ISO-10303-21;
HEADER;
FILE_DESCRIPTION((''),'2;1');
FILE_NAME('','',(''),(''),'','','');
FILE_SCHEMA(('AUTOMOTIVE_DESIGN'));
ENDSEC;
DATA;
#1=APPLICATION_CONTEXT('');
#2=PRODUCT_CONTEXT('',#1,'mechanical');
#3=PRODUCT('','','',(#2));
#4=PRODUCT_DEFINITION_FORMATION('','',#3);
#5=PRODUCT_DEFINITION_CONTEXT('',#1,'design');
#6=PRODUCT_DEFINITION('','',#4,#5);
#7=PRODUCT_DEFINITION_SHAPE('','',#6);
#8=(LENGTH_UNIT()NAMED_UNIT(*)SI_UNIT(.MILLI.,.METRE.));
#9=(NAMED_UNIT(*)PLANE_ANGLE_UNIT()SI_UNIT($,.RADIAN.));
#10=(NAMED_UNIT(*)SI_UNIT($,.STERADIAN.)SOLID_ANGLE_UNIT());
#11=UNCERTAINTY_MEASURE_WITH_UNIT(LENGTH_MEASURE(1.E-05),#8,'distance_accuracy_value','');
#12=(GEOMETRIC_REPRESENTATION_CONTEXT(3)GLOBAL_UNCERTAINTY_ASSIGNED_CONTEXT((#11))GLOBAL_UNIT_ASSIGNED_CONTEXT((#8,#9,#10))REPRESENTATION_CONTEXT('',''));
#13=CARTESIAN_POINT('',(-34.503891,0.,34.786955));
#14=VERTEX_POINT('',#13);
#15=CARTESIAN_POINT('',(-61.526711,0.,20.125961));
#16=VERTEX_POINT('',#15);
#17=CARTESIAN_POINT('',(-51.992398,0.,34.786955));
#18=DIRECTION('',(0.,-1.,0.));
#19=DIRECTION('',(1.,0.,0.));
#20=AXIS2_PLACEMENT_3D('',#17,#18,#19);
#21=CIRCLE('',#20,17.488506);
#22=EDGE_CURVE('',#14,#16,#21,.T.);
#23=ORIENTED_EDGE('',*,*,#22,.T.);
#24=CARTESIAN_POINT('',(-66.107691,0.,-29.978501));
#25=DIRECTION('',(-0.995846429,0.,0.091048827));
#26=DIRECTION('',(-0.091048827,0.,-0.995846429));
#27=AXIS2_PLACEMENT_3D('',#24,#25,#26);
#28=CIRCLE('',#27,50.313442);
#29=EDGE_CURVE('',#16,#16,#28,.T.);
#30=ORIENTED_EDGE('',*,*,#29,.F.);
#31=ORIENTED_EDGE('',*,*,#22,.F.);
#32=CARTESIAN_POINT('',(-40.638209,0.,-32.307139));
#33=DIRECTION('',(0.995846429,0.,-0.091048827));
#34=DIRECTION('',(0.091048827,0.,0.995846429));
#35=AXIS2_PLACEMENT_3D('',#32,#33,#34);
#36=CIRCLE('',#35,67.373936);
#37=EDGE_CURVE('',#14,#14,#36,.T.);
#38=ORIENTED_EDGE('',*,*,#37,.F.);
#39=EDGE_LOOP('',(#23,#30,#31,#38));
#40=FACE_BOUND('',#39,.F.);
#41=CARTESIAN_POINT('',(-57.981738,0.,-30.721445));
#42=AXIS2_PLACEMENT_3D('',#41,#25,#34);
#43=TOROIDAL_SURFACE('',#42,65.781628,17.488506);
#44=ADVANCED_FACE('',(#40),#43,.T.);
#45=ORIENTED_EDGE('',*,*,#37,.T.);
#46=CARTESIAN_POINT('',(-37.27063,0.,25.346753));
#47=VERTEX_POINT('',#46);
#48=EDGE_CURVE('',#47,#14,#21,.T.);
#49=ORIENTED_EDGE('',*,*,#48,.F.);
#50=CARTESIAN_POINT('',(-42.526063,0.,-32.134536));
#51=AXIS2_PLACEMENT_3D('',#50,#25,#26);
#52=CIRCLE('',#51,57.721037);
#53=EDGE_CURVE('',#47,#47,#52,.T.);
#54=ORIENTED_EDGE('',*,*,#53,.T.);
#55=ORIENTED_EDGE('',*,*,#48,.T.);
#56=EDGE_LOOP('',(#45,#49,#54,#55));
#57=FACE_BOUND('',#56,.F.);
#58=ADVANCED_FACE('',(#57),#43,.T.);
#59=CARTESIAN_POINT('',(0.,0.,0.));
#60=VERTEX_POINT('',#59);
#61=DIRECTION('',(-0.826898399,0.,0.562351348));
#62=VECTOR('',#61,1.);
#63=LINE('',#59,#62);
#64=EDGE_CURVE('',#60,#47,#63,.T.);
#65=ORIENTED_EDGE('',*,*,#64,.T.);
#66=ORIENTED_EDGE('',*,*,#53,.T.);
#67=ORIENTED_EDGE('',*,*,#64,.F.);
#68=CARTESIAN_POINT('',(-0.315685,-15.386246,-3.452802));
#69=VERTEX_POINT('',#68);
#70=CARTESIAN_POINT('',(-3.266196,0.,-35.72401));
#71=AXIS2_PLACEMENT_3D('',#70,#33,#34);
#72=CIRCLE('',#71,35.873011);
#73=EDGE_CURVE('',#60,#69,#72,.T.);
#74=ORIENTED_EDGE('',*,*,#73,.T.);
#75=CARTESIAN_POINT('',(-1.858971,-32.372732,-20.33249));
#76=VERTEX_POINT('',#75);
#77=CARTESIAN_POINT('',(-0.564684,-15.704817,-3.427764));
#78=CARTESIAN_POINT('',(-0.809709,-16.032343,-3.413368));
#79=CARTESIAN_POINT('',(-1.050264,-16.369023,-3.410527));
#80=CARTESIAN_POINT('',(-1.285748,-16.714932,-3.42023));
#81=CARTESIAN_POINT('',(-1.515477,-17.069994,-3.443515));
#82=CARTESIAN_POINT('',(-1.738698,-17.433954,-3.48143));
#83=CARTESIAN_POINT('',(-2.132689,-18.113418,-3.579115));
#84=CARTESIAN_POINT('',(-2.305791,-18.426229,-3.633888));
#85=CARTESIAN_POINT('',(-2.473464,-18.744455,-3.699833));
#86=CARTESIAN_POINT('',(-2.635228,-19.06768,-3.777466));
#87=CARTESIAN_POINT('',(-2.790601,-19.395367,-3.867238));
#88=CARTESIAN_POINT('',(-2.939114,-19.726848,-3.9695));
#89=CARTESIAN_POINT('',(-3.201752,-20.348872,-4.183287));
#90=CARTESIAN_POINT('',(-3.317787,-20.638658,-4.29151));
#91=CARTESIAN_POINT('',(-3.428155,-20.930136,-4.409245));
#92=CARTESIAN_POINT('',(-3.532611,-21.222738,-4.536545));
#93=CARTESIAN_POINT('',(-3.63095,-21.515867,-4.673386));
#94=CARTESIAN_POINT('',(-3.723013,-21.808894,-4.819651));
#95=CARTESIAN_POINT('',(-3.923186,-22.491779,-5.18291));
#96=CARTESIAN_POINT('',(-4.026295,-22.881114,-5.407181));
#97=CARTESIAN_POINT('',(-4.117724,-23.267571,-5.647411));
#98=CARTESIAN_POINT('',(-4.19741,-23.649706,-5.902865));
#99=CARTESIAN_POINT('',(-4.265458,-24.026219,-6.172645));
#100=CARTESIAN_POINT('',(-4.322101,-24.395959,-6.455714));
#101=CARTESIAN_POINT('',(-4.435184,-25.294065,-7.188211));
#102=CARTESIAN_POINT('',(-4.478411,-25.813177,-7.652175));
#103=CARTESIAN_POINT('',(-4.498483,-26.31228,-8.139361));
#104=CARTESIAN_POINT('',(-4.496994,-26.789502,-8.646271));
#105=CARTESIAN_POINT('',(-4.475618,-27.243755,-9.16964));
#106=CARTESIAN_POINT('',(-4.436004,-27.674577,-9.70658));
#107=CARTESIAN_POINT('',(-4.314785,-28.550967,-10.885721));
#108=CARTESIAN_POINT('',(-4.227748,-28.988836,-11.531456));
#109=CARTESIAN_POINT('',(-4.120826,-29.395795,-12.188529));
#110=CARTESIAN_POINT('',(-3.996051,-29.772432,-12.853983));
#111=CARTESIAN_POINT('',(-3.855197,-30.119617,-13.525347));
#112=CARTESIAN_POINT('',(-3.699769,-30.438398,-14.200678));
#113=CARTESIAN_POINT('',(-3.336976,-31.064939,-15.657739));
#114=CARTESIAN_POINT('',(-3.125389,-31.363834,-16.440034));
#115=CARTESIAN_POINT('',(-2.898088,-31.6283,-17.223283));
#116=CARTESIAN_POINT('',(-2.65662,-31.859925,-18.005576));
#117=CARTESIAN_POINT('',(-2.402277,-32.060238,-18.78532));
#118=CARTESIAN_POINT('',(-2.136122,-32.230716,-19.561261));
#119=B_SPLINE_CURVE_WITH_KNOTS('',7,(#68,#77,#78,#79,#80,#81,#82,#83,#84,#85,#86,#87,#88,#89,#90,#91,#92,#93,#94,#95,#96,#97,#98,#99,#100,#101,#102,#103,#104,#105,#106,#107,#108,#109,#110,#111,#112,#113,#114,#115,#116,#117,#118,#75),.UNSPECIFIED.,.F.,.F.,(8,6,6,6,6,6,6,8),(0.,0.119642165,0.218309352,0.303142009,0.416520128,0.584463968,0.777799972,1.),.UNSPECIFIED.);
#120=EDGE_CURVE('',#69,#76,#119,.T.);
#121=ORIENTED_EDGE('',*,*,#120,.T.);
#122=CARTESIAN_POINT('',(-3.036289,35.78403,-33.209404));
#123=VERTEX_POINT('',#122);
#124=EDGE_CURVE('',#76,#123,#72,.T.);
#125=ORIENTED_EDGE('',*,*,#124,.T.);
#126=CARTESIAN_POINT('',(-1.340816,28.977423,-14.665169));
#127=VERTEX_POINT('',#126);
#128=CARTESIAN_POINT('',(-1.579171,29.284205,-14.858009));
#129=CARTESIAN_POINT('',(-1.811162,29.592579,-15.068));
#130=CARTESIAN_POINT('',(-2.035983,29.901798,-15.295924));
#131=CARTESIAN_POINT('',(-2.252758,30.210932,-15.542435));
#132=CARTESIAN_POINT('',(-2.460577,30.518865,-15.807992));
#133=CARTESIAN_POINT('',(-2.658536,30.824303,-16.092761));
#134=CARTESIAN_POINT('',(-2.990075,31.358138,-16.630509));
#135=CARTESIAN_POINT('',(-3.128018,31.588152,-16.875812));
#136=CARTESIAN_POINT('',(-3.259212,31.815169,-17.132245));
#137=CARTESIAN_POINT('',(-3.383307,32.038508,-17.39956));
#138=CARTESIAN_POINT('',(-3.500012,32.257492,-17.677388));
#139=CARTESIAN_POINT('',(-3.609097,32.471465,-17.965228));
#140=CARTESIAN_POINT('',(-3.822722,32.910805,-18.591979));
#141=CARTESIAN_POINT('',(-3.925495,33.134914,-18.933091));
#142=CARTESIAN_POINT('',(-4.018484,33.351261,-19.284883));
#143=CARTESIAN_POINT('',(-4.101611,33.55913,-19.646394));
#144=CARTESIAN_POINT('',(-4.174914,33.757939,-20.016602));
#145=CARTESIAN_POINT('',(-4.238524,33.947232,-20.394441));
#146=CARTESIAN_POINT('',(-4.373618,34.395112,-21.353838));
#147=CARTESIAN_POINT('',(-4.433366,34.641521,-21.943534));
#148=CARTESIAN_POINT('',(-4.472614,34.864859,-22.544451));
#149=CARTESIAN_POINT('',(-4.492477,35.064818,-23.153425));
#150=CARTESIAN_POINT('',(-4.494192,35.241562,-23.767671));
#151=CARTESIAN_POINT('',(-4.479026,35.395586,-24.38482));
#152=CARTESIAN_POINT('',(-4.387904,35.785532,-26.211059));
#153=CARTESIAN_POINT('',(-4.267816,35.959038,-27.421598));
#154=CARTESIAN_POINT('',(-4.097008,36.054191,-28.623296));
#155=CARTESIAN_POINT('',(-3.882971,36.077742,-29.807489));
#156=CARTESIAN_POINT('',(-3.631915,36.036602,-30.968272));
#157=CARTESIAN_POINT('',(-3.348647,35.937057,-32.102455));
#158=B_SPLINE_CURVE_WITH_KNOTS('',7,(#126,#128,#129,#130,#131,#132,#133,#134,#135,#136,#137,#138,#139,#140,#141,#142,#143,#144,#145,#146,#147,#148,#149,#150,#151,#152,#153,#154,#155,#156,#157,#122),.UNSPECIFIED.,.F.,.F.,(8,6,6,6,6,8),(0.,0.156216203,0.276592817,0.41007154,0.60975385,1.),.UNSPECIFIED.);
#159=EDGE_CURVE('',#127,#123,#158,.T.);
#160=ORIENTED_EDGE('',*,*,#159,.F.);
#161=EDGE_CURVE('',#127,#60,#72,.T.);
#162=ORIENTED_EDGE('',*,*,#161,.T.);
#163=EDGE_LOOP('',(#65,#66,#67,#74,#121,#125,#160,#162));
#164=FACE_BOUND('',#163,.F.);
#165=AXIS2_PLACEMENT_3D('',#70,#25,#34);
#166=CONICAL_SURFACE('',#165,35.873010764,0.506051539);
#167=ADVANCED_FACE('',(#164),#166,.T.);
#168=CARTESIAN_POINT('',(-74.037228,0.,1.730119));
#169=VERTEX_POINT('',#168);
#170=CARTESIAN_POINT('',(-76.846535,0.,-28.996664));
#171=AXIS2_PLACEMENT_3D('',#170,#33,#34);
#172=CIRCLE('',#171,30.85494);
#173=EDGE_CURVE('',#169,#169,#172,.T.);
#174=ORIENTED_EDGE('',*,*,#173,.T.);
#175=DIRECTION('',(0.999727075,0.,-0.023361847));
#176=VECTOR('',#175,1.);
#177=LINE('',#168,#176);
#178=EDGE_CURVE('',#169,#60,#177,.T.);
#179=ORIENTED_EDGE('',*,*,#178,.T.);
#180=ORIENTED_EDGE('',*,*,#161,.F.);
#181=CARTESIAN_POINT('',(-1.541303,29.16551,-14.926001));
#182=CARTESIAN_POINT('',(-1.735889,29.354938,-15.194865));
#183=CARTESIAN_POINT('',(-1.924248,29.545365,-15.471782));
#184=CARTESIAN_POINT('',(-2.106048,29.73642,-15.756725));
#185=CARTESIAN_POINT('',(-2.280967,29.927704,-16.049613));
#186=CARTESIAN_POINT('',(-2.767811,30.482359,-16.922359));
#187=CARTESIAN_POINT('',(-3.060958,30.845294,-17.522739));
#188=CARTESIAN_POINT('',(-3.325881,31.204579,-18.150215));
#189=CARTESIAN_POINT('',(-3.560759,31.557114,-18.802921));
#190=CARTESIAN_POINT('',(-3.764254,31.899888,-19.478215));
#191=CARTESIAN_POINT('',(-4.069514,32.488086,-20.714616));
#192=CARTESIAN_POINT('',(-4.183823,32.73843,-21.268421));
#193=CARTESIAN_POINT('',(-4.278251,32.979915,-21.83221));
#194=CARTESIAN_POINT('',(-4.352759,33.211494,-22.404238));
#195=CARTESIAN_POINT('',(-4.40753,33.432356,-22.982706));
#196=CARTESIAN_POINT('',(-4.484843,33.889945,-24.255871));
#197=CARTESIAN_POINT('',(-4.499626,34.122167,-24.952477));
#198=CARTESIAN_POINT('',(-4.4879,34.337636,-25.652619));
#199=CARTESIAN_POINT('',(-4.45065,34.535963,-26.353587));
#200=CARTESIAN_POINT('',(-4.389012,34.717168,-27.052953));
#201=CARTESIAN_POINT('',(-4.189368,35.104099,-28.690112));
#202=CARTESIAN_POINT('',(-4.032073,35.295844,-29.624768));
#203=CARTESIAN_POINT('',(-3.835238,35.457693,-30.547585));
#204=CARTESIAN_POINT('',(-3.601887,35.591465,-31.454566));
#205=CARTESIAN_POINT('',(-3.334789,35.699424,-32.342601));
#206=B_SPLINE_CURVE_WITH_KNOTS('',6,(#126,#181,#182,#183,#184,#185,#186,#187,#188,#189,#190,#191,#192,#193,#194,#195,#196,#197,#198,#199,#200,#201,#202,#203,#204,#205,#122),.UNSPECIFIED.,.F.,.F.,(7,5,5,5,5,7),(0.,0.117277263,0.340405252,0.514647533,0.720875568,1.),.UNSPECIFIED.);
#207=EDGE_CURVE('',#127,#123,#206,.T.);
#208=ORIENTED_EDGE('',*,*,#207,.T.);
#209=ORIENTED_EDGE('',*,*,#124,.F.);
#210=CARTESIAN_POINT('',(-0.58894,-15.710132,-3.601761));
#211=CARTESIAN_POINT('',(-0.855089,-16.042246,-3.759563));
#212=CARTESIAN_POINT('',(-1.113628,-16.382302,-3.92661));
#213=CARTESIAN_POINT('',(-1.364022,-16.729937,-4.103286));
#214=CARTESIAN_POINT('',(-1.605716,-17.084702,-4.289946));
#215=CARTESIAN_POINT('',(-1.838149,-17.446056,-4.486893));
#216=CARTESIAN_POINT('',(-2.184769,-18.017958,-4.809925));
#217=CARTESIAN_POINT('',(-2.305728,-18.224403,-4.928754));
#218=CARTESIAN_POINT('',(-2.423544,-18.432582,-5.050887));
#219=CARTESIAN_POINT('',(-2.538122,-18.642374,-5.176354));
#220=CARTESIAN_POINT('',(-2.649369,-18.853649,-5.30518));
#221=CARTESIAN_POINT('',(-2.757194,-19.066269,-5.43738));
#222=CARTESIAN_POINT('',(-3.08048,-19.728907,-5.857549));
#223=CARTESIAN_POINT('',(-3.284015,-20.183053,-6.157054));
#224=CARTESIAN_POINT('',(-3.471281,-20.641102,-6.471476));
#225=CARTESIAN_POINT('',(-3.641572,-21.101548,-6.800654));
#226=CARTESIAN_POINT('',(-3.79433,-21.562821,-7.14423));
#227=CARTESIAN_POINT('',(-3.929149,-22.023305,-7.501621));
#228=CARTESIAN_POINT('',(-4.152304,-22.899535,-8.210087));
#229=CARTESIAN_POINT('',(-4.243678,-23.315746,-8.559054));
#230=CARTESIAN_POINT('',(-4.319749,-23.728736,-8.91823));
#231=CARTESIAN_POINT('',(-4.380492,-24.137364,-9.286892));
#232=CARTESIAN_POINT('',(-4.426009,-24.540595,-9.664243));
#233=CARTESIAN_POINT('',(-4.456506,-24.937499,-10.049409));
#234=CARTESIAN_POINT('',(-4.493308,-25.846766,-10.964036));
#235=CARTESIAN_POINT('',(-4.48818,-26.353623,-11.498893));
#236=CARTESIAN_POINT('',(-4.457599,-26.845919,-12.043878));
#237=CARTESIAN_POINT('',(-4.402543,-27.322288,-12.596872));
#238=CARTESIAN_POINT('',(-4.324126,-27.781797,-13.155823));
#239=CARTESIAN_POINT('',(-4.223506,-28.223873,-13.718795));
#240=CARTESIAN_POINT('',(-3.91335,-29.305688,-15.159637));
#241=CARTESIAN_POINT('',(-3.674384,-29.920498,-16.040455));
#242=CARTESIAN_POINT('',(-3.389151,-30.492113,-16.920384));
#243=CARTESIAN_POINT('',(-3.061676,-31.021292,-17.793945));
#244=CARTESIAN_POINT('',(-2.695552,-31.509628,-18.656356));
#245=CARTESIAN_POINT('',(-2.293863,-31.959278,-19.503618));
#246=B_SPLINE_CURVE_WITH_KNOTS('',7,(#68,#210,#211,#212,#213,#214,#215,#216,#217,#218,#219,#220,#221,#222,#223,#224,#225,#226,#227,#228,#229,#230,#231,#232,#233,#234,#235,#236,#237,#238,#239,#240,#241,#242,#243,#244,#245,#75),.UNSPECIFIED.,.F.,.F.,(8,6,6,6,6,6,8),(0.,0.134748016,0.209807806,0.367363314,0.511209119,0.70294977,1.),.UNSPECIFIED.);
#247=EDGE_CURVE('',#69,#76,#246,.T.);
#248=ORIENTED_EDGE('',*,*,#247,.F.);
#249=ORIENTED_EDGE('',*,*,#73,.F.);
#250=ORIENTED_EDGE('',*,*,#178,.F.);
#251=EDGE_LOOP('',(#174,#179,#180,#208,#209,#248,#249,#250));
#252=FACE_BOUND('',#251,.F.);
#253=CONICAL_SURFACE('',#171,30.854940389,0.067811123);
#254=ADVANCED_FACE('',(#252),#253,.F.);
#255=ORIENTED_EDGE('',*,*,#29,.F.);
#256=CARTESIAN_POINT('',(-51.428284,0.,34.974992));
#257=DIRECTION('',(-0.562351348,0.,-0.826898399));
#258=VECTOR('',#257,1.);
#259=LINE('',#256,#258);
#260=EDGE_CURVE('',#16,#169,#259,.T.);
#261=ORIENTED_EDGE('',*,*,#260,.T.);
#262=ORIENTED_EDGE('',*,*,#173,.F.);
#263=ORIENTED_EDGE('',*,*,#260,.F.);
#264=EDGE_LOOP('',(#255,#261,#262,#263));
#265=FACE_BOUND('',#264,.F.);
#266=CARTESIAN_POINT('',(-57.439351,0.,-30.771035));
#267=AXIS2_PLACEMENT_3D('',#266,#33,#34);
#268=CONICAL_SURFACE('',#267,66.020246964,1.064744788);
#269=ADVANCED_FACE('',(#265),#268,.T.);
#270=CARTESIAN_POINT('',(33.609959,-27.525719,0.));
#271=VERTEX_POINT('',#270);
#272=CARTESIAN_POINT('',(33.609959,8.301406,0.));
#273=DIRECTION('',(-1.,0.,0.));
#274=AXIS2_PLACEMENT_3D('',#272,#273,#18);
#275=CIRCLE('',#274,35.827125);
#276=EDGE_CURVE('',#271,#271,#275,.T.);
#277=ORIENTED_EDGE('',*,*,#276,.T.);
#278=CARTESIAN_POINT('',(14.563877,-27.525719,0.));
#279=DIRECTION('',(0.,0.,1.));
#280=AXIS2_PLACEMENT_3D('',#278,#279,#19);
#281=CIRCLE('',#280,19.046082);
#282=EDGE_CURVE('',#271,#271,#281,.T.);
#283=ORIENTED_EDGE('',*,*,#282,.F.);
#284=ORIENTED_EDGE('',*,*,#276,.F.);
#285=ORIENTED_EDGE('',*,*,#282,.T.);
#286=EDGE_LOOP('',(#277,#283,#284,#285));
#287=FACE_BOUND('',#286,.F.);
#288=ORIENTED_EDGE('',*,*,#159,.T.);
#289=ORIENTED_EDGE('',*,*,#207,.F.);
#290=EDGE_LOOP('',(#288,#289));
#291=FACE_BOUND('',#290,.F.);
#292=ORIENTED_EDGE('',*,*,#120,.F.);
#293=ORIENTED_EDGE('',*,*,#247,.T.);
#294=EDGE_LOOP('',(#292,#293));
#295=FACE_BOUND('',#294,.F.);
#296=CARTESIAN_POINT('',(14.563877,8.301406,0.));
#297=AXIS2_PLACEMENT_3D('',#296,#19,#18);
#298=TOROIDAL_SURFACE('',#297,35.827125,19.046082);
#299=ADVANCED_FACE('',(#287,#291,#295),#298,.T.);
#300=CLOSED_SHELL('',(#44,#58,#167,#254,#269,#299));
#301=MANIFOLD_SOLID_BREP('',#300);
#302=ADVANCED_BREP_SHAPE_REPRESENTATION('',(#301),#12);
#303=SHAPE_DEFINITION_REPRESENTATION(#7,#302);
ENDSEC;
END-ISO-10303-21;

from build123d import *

# Parameters (mm, degrees)
F0_R = 19.046081857
F2_R = 17.4885063439


with BuildPart() as f1:
    # F0 (on Top) → F1 (revolve)
    with BuildSketch(Plane.XY):
        with Locations((14.5638771355, -27.5257192552)):
            Circle(F0_R)
    revolve(axis=Axis((21.8458112795, 8.3014061674, 0), (-1, 0, 0)))

    # F3 (on Front) + F2 (on Front) → F4 (revolve)
    with BuildSketch(Plane.XZ):
        Polygon((0, 0), (-51.4282844961, 34.9749922752), (-74.0372284166, 1.7301185966), align=None)
    with BuildSketch(Plane.XZ):
        with Locations((-51.9923977554, 34.7869545221)):
            Circle(F2_R)
    revolve(axis=Axis((-42.3084618524, 0, -32.1544306353), (0.9958464295, 0, -0.091048827)))


solid = f1.part
